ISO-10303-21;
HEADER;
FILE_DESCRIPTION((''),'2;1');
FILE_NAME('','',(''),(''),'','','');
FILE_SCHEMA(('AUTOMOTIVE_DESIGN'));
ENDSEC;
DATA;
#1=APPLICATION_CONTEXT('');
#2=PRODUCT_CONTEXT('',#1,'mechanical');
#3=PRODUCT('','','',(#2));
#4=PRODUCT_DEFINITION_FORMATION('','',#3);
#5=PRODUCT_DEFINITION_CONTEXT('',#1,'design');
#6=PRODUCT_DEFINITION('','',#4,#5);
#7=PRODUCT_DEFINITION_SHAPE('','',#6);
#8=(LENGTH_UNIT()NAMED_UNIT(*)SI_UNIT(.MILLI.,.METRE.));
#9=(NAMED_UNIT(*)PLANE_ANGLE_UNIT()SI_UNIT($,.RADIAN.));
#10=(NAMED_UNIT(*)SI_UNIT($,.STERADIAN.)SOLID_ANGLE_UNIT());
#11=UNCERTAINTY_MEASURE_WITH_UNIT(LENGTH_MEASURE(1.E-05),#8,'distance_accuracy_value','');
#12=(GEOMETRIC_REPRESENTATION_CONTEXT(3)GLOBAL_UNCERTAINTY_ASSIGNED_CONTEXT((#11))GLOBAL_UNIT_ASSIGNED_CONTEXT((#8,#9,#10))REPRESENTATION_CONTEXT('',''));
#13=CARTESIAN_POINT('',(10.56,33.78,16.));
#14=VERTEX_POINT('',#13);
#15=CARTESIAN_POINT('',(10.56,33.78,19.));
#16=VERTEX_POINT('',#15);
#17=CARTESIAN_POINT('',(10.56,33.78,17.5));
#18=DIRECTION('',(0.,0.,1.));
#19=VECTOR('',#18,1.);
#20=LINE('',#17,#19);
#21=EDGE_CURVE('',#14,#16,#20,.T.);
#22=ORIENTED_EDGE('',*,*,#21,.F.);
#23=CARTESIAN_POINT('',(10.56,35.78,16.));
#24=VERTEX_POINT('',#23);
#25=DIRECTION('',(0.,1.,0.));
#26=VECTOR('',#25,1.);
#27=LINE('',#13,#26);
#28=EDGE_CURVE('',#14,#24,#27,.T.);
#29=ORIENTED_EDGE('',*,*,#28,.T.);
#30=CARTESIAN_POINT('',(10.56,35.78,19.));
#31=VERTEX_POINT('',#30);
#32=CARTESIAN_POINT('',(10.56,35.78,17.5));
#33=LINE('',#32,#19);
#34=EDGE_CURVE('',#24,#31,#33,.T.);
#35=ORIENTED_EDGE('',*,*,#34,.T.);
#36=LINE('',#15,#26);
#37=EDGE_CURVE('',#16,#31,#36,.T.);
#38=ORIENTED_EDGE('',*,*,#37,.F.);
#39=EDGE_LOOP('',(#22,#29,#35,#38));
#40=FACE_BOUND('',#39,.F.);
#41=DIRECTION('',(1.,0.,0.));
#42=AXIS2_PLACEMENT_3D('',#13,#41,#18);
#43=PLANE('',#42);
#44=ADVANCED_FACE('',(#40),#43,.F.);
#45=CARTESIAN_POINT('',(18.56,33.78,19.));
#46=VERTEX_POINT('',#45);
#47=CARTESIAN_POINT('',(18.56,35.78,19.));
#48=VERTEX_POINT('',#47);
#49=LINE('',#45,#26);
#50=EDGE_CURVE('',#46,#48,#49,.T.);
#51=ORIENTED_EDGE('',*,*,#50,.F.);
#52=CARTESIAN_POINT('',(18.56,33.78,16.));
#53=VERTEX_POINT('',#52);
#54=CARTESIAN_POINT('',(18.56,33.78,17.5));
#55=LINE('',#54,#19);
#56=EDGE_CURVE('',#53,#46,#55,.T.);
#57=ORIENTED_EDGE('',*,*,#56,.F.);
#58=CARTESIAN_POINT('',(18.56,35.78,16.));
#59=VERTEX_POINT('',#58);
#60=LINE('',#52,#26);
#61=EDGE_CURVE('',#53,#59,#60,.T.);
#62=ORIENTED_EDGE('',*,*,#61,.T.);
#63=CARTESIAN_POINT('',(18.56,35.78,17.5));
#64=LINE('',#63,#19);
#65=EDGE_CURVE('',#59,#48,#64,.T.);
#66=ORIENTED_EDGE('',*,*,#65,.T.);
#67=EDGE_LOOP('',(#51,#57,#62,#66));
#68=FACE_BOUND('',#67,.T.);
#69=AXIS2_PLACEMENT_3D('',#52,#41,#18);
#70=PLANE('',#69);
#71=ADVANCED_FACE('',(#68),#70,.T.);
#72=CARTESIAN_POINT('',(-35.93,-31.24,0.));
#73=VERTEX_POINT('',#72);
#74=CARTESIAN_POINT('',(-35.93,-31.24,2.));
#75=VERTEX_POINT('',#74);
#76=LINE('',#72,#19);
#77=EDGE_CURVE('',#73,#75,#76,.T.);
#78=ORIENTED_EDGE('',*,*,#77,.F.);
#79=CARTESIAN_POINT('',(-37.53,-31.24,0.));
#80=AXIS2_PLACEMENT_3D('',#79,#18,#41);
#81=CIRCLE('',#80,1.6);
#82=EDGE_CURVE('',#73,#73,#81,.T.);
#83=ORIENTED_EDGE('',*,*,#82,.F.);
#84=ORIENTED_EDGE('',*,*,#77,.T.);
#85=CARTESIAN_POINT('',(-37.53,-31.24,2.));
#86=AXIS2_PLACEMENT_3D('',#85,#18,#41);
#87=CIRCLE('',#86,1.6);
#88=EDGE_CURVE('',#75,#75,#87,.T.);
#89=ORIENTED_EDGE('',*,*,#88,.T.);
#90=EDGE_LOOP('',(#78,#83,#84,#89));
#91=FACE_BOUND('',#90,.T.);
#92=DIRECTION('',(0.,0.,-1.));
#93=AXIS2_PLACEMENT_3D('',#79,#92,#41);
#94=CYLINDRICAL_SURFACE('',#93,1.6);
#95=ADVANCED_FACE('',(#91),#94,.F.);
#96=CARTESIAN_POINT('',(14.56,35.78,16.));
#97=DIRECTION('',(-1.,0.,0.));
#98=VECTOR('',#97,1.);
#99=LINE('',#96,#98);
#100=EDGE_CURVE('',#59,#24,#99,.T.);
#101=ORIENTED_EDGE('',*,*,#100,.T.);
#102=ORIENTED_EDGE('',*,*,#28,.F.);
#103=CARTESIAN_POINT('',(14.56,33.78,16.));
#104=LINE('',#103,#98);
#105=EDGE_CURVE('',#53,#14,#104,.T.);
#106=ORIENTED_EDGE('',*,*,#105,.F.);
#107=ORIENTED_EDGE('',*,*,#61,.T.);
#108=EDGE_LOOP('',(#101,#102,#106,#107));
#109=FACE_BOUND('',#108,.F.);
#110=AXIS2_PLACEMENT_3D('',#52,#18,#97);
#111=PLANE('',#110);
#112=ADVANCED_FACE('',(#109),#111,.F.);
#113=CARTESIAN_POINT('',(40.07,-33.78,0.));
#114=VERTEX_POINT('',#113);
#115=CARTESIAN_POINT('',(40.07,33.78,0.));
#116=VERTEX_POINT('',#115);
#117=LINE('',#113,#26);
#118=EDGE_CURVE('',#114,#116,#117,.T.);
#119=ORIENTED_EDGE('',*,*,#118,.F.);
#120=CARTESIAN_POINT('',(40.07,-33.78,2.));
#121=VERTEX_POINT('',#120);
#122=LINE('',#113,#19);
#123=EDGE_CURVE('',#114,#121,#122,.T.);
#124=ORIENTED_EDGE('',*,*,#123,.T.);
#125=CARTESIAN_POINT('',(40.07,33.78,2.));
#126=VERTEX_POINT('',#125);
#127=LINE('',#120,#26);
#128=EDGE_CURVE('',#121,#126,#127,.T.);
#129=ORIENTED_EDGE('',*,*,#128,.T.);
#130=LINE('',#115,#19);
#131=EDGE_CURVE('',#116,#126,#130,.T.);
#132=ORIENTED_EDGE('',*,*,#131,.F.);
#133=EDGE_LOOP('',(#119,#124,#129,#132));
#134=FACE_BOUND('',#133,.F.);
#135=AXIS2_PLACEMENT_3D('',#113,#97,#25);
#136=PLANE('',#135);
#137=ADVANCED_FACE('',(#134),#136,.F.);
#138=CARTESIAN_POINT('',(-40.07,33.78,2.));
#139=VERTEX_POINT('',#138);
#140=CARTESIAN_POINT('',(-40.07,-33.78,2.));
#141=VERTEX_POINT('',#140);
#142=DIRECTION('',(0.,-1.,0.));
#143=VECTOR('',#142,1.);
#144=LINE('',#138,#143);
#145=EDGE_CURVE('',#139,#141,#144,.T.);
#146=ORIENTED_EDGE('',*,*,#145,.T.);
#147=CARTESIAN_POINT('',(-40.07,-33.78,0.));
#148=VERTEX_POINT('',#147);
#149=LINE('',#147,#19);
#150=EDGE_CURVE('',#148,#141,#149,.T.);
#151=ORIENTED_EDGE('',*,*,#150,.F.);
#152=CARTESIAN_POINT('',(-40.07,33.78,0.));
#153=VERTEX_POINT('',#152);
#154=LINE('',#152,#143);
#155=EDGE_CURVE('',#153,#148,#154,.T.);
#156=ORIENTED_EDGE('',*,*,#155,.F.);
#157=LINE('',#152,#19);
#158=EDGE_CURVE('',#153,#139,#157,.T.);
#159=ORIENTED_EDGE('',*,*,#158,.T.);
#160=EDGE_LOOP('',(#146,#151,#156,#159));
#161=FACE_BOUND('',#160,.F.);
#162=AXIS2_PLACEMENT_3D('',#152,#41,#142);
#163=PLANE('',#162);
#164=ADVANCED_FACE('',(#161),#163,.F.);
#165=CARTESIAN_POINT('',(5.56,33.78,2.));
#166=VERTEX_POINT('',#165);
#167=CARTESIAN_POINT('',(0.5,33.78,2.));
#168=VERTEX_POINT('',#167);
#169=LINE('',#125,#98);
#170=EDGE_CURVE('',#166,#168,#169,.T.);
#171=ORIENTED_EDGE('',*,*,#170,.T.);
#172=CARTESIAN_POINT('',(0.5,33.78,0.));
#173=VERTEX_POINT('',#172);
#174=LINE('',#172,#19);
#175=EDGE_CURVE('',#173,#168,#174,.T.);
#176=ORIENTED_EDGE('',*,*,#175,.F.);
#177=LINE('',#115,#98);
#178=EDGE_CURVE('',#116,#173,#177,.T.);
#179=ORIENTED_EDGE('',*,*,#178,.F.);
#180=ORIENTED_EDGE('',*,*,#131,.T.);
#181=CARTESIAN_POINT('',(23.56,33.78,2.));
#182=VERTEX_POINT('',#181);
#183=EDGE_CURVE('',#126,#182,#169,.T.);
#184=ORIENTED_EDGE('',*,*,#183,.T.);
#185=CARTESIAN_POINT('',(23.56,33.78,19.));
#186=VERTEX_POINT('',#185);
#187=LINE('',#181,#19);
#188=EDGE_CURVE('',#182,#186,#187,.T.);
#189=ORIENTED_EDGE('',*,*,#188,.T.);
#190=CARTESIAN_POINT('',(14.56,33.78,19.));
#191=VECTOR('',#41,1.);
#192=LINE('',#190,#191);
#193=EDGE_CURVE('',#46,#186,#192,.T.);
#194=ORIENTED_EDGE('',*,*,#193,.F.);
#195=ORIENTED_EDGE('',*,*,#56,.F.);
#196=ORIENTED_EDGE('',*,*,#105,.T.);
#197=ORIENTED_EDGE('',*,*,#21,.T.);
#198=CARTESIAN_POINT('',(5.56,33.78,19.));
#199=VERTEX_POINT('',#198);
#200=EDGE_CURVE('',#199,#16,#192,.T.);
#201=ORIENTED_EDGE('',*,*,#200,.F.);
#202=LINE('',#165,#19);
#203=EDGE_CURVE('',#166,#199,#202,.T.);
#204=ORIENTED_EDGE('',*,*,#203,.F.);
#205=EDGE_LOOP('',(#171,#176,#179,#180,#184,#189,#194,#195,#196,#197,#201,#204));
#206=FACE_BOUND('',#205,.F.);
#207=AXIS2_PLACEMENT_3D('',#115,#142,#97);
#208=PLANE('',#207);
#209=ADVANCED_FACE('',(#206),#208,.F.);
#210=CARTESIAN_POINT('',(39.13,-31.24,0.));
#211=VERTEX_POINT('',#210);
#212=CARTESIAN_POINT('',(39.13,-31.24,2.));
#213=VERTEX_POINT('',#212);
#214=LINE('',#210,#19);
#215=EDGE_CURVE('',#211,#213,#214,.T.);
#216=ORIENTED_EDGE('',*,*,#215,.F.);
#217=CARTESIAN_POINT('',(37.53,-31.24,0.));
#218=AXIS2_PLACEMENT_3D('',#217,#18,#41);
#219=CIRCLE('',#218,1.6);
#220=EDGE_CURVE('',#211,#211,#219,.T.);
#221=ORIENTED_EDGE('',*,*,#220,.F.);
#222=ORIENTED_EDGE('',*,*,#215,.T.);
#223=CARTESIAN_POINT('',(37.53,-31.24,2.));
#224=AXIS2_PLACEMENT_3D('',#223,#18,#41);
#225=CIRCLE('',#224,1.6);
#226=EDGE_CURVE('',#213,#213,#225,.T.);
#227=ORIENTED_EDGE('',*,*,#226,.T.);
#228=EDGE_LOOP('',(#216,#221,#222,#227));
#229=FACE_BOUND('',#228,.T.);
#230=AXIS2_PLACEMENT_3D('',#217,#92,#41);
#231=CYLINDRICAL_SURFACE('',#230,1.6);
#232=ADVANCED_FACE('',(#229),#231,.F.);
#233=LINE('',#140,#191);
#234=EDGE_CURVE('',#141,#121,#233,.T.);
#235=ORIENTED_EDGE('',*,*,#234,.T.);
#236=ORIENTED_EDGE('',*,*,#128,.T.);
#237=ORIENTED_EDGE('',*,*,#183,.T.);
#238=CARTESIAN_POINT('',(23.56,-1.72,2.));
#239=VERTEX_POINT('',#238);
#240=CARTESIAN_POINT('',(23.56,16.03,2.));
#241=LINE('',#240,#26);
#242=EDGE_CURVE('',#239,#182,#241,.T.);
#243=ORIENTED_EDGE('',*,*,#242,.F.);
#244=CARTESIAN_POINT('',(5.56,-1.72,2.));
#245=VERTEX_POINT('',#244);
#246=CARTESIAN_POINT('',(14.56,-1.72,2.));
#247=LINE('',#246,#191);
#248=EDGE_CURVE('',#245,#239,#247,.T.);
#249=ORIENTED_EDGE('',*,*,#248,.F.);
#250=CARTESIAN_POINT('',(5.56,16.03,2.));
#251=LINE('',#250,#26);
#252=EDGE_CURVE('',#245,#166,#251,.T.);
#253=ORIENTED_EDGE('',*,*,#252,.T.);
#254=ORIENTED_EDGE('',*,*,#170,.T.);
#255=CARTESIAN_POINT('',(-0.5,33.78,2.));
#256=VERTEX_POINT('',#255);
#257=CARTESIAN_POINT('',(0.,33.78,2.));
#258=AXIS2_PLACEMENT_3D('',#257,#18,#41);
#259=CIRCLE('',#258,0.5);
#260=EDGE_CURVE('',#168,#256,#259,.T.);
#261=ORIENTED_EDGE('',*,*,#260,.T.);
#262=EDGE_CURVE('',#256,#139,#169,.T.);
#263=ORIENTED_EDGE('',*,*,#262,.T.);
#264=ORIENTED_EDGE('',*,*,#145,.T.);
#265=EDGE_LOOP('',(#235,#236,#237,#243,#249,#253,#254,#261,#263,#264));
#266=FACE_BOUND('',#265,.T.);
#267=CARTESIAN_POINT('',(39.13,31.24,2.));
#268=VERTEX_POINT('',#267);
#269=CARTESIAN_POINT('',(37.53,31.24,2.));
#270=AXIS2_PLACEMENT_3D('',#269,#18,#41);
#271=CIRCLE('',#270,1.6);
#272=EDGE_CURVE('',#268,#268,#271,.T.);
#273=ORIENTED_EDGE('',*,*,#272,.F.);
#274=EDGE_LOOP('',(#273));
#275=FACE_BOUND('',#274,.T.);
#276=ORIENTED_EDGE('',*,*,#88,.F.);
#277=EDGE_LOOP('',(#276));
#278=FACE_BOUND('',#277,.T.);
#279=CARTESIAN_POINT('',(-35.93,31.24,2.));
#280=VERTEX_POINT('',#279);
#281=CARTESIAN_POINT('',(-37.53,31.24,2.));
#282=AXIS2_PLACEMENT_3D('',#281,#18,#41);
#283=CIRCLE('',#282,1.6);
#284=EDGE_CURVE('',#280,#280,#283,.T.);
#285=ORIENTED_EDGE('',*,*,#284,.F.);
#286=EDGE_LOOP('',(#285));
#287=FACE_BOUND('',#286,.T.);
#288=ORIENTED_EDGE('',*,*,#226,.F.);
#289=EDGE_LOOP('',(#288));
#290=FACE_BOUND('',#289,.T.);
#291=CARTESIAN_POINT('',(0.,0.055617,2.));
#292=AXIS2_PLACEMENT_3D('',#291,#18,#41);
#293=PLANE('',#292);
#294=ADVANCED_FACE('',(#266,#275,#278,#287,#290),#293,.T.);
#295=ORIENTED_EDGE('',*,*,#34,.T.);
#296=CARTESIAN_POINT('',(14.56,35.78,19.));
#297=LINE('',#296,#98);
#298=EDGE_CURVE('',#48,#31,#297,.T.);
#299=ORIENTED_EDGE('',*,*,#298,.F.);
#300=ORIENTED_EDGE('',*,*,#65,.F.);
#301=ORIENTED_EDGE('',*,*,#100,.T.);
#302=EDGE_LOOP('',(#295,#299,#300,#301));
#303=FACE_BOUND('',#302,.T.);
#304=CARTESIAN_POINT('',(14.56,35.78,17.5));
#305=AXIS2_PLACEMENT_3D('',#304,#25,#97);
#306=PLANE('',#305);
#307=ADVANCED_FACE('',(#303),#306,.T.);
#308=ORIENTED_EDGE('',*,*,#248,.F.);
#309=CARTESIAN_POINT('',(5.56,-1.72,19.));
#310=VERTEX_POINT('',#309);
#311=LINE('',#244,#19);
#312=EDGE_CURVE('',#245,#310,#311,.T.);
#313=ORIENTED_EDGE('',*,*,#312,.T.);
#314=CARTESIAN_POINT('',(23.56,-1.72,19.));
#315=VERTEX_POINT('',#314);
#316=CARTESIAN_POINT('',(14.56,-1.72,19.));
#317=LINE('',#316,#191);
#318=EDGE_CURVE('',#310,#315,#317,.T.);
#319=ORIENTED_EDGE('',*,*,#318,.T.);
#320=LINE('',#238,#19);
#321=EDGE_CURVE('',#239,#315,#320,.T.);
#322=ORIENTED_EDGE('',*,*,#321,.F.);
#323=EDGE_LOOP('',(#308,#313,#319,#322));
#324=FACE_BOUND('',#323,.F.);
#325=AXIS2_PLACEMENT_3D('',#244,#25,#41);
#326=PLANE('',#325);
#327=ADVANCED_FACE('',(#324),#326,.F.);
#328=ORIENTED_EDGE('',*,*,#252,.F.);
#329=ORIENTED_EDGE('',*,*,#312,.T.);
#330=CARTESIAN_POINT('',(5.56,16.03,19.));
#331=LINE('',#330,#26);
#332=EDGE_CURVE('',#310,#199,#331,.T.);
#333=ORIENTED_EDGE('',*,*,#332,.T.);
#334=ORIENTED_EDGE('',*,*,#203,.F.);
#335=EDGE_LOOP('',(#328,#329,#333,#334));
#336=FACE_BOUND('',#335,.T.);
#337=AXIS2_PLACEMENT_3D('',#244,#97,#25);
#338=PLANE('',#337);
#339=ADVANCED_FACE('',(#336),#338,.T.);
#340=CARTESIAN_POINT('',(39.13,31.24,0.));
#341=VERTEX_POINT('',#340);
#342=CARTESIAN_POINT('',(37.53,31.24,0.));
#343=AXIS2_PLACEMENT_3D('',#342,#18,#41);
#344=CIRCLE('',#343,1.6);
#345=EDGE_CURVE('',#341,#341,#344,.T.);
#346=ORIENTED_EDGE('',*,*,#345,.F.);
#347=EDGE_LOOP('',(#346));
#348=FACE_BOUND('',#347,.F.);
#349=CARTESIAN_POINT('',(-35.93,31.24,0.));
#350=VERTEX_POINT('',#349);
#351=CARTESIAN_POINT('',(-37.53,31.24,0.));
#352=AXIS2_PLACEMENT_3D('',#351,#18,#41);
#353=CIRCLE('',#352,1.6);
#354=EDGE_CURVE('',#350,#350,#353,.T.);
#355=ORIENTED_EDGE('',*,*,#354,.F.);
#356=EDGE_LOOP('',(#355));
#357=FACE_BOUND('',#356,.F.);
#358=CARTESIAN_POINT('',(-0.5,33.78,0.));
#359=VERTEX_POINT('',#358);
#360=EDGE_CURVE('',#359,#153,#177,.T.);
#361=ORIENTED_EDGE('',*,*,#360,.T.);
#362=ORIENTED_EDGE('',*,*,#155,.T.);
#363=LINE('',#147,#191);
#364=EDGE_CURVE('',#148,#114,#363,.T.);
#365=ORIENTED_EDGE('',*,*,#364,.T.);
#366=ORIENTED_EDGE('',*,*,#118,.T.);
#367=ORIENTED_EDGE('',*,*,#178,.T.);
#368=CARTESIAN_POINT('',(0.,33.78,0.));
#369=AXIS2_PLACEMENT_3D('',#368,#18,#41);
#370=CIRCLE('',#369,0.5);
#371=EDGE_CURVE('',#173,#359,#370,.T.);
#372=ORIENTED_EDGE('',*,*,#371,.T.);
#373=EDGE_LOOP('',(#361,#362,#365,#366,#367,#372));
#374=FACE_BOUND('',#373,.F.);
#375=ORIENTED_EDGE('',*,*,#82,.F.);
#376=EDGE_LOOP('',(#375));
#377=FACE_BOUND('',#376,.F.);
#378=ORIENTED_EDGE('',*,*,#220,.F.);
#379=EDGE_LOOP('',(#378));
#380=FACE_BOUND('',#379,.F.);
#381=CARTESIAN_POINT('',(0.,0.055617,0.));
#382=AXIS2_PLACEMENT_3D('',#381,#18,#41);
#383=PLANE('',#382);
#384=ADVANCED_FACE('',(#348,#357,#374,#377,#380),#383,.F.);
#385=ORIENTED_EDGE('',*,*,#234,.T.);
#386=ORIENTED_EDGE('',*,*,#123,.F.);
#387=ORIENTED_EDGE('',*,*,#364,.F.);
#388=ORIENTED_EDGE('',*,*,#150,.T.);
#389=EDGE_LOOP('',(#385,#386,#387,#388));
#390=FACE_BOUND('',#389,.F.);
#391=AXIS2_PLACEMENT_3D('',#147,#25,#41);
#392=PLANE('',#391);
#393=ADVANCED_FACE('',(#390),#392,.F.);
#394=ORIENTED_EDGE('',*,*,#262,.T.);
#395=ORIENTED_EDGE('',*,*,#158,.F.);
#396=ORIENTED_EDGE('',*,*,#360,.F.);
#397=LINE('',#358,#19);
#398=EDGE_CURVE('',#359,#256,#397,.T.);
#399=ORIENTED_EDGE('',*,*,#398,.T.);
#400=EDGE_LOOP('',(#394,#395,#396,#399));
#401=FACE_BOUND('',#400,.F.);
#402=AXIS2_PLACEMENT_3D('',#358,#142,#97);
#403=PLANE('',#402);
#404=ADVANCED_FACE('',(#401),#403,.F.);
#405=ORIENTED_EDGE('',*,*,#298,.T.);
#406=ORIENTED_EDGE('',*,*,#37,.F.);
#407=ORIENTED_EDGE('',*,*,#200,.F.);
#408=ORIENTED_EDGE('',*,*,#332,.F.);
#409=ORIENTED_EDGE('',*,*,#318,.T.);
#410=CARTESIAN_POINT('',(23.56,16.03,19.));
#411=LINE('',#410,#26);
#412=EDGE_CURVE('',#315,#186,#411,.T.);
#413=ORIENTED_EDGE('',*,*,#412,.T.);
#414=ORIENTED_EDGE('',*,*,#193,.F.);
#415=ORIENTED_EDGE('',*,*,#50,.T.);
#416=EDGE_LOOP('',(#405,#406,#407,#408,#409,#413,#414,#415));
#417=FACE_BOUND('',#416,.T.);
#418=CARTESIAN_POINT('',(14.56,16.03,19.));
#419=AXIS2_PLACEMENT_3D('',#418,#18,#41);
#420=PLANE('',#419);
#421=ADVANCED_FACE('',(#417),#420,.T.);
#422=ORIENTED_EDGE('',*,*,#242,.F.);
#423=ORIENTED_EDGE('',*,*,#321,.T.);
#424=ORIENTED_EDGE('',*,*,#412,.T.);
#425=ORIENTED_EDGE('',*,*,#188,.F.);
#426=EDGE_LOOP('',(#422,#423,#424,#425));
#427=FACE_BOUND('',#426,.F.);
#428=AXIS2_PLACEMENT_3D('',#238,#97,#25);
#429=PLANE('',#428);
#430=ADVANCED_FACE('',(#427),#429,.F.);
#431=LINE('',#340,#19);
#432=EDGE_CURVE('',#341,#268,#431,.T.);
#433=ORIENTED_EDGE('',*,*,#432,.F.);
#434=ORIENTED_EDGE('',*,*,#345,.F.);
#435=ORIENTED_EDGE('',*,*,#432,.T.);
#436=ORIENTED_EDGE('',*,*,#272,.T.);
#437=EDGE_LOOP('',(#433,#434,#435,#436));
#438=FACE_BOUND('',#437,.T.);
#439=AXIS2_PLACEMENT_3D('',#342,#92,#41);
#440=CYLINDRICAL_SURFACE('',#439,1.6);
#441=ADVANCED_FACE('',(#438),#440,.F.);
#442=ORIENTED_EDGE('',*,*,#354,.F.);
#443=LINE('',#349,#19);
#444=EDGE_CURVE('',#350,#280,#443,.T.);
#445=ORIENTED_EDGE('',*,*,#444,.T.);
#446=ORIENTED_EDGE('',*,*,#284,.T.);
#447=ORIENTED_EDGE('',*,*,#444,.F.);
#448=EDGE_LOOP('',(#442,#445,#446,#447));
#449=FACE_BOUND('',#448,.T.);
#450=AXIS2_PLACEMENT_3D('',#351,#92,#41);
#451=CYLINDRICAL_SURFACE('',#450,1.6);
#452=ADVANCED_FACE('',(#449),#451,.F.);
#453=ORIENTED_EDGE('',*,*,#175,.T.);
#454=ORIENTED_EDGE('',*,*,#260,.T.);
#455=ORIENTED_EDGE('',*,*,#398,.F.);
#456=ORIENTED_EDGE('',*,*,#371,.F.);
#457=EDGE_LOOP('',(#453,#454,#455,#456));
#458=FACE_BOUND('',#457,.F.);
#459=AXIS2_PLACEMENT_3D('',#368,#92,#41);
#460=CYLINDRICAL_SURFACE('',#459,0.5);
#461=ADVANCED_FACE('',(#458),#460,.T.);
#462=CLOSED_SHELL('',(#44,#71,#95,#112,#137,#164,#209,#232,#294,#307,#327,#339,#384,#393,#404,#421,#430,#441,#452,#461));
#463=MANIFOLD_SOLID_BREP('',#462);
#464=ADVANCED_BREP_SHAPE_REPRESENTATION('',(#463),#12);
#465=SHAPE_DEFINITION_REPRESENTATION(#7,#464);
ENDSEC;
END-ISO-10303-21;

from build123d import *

# Parameters (mm, degrees)
F0_R     = 1.6
F1_DEPTH = 2
F3_W     = 18
F3_H     = 35.5
F4_DEPTH = 17
F6_W     = 8
F6_H     = 3
F7_DEPTH = 2


with BuildPart() as f1:
    # F0 (on Top) → F1 (new body)
    with BuildSketch(Plane.XY):
        with BuildLine():
            Line((-40.07, -33.78), (40.07, -33.78))
            Line((40.07, -33.78), (40.07, 33.78))
            Line((40.07, 33.78), (0.5, 33.78))
            ThreePointArc((0.5, 33.78), (0, 33.28), (-0.5, 33.78))
            Line((-0.5, 33.78), (-40.07, 33.78))
            Line((-40.07, 33.78), (-40.07, -33.78))
        make_face()
        with Locations((-37.53, -31.24)):
            Circle(F0_R, mode=Mode.SUBTRACT)
        with Locations((37.53, -31.24)):
            Circle(F0_R, mode=Mode.SUBTRACT)
        with Locations((-37.53, 31.24)):
            Circle(F0_R, mode=Mode.SUBTRACT)
        with Locations((37.53, 31.24)):
            Circle(F0_R, mode=Mode.SUBTRACT)
        with BuildLine():
            ThreePointArc((-0.5, 33.78), (0, 33.28), (0.5, 33.78))
            Line((0.5, 33.78), (-0.5, 33.78))
        make_face()
        with BuildLine():
            Line((-0.5, 33.78), (0.5, 33.78))
            ThreePointArc((0.5, 33.78), (0, 34.28), (-0.5, 33.78))
        make_face()
    extrude(amount=F1_DEPTH)

    # F3 (on offset) → F4 (join)
    with BuildSketch(Plane.XY.offset(2)):
        with Locations((14.56, 16.03)):
            Rectangle(F3_W, F3_H)
    extrude(amount=F4_DEPTH)

    # F6 (on offset) → F7 (join)
    with BuildSketch(Plane(origin=(0, 33.78, 0), x_dir=(-1, 0, 0), z_dir=(0, 1, 0))):
        with Locations((-14.56, 17.5)):
            Rectangle(F6_W, F6_H)
    extrude(amount=F7_DEPTH)


solid = f1.part
